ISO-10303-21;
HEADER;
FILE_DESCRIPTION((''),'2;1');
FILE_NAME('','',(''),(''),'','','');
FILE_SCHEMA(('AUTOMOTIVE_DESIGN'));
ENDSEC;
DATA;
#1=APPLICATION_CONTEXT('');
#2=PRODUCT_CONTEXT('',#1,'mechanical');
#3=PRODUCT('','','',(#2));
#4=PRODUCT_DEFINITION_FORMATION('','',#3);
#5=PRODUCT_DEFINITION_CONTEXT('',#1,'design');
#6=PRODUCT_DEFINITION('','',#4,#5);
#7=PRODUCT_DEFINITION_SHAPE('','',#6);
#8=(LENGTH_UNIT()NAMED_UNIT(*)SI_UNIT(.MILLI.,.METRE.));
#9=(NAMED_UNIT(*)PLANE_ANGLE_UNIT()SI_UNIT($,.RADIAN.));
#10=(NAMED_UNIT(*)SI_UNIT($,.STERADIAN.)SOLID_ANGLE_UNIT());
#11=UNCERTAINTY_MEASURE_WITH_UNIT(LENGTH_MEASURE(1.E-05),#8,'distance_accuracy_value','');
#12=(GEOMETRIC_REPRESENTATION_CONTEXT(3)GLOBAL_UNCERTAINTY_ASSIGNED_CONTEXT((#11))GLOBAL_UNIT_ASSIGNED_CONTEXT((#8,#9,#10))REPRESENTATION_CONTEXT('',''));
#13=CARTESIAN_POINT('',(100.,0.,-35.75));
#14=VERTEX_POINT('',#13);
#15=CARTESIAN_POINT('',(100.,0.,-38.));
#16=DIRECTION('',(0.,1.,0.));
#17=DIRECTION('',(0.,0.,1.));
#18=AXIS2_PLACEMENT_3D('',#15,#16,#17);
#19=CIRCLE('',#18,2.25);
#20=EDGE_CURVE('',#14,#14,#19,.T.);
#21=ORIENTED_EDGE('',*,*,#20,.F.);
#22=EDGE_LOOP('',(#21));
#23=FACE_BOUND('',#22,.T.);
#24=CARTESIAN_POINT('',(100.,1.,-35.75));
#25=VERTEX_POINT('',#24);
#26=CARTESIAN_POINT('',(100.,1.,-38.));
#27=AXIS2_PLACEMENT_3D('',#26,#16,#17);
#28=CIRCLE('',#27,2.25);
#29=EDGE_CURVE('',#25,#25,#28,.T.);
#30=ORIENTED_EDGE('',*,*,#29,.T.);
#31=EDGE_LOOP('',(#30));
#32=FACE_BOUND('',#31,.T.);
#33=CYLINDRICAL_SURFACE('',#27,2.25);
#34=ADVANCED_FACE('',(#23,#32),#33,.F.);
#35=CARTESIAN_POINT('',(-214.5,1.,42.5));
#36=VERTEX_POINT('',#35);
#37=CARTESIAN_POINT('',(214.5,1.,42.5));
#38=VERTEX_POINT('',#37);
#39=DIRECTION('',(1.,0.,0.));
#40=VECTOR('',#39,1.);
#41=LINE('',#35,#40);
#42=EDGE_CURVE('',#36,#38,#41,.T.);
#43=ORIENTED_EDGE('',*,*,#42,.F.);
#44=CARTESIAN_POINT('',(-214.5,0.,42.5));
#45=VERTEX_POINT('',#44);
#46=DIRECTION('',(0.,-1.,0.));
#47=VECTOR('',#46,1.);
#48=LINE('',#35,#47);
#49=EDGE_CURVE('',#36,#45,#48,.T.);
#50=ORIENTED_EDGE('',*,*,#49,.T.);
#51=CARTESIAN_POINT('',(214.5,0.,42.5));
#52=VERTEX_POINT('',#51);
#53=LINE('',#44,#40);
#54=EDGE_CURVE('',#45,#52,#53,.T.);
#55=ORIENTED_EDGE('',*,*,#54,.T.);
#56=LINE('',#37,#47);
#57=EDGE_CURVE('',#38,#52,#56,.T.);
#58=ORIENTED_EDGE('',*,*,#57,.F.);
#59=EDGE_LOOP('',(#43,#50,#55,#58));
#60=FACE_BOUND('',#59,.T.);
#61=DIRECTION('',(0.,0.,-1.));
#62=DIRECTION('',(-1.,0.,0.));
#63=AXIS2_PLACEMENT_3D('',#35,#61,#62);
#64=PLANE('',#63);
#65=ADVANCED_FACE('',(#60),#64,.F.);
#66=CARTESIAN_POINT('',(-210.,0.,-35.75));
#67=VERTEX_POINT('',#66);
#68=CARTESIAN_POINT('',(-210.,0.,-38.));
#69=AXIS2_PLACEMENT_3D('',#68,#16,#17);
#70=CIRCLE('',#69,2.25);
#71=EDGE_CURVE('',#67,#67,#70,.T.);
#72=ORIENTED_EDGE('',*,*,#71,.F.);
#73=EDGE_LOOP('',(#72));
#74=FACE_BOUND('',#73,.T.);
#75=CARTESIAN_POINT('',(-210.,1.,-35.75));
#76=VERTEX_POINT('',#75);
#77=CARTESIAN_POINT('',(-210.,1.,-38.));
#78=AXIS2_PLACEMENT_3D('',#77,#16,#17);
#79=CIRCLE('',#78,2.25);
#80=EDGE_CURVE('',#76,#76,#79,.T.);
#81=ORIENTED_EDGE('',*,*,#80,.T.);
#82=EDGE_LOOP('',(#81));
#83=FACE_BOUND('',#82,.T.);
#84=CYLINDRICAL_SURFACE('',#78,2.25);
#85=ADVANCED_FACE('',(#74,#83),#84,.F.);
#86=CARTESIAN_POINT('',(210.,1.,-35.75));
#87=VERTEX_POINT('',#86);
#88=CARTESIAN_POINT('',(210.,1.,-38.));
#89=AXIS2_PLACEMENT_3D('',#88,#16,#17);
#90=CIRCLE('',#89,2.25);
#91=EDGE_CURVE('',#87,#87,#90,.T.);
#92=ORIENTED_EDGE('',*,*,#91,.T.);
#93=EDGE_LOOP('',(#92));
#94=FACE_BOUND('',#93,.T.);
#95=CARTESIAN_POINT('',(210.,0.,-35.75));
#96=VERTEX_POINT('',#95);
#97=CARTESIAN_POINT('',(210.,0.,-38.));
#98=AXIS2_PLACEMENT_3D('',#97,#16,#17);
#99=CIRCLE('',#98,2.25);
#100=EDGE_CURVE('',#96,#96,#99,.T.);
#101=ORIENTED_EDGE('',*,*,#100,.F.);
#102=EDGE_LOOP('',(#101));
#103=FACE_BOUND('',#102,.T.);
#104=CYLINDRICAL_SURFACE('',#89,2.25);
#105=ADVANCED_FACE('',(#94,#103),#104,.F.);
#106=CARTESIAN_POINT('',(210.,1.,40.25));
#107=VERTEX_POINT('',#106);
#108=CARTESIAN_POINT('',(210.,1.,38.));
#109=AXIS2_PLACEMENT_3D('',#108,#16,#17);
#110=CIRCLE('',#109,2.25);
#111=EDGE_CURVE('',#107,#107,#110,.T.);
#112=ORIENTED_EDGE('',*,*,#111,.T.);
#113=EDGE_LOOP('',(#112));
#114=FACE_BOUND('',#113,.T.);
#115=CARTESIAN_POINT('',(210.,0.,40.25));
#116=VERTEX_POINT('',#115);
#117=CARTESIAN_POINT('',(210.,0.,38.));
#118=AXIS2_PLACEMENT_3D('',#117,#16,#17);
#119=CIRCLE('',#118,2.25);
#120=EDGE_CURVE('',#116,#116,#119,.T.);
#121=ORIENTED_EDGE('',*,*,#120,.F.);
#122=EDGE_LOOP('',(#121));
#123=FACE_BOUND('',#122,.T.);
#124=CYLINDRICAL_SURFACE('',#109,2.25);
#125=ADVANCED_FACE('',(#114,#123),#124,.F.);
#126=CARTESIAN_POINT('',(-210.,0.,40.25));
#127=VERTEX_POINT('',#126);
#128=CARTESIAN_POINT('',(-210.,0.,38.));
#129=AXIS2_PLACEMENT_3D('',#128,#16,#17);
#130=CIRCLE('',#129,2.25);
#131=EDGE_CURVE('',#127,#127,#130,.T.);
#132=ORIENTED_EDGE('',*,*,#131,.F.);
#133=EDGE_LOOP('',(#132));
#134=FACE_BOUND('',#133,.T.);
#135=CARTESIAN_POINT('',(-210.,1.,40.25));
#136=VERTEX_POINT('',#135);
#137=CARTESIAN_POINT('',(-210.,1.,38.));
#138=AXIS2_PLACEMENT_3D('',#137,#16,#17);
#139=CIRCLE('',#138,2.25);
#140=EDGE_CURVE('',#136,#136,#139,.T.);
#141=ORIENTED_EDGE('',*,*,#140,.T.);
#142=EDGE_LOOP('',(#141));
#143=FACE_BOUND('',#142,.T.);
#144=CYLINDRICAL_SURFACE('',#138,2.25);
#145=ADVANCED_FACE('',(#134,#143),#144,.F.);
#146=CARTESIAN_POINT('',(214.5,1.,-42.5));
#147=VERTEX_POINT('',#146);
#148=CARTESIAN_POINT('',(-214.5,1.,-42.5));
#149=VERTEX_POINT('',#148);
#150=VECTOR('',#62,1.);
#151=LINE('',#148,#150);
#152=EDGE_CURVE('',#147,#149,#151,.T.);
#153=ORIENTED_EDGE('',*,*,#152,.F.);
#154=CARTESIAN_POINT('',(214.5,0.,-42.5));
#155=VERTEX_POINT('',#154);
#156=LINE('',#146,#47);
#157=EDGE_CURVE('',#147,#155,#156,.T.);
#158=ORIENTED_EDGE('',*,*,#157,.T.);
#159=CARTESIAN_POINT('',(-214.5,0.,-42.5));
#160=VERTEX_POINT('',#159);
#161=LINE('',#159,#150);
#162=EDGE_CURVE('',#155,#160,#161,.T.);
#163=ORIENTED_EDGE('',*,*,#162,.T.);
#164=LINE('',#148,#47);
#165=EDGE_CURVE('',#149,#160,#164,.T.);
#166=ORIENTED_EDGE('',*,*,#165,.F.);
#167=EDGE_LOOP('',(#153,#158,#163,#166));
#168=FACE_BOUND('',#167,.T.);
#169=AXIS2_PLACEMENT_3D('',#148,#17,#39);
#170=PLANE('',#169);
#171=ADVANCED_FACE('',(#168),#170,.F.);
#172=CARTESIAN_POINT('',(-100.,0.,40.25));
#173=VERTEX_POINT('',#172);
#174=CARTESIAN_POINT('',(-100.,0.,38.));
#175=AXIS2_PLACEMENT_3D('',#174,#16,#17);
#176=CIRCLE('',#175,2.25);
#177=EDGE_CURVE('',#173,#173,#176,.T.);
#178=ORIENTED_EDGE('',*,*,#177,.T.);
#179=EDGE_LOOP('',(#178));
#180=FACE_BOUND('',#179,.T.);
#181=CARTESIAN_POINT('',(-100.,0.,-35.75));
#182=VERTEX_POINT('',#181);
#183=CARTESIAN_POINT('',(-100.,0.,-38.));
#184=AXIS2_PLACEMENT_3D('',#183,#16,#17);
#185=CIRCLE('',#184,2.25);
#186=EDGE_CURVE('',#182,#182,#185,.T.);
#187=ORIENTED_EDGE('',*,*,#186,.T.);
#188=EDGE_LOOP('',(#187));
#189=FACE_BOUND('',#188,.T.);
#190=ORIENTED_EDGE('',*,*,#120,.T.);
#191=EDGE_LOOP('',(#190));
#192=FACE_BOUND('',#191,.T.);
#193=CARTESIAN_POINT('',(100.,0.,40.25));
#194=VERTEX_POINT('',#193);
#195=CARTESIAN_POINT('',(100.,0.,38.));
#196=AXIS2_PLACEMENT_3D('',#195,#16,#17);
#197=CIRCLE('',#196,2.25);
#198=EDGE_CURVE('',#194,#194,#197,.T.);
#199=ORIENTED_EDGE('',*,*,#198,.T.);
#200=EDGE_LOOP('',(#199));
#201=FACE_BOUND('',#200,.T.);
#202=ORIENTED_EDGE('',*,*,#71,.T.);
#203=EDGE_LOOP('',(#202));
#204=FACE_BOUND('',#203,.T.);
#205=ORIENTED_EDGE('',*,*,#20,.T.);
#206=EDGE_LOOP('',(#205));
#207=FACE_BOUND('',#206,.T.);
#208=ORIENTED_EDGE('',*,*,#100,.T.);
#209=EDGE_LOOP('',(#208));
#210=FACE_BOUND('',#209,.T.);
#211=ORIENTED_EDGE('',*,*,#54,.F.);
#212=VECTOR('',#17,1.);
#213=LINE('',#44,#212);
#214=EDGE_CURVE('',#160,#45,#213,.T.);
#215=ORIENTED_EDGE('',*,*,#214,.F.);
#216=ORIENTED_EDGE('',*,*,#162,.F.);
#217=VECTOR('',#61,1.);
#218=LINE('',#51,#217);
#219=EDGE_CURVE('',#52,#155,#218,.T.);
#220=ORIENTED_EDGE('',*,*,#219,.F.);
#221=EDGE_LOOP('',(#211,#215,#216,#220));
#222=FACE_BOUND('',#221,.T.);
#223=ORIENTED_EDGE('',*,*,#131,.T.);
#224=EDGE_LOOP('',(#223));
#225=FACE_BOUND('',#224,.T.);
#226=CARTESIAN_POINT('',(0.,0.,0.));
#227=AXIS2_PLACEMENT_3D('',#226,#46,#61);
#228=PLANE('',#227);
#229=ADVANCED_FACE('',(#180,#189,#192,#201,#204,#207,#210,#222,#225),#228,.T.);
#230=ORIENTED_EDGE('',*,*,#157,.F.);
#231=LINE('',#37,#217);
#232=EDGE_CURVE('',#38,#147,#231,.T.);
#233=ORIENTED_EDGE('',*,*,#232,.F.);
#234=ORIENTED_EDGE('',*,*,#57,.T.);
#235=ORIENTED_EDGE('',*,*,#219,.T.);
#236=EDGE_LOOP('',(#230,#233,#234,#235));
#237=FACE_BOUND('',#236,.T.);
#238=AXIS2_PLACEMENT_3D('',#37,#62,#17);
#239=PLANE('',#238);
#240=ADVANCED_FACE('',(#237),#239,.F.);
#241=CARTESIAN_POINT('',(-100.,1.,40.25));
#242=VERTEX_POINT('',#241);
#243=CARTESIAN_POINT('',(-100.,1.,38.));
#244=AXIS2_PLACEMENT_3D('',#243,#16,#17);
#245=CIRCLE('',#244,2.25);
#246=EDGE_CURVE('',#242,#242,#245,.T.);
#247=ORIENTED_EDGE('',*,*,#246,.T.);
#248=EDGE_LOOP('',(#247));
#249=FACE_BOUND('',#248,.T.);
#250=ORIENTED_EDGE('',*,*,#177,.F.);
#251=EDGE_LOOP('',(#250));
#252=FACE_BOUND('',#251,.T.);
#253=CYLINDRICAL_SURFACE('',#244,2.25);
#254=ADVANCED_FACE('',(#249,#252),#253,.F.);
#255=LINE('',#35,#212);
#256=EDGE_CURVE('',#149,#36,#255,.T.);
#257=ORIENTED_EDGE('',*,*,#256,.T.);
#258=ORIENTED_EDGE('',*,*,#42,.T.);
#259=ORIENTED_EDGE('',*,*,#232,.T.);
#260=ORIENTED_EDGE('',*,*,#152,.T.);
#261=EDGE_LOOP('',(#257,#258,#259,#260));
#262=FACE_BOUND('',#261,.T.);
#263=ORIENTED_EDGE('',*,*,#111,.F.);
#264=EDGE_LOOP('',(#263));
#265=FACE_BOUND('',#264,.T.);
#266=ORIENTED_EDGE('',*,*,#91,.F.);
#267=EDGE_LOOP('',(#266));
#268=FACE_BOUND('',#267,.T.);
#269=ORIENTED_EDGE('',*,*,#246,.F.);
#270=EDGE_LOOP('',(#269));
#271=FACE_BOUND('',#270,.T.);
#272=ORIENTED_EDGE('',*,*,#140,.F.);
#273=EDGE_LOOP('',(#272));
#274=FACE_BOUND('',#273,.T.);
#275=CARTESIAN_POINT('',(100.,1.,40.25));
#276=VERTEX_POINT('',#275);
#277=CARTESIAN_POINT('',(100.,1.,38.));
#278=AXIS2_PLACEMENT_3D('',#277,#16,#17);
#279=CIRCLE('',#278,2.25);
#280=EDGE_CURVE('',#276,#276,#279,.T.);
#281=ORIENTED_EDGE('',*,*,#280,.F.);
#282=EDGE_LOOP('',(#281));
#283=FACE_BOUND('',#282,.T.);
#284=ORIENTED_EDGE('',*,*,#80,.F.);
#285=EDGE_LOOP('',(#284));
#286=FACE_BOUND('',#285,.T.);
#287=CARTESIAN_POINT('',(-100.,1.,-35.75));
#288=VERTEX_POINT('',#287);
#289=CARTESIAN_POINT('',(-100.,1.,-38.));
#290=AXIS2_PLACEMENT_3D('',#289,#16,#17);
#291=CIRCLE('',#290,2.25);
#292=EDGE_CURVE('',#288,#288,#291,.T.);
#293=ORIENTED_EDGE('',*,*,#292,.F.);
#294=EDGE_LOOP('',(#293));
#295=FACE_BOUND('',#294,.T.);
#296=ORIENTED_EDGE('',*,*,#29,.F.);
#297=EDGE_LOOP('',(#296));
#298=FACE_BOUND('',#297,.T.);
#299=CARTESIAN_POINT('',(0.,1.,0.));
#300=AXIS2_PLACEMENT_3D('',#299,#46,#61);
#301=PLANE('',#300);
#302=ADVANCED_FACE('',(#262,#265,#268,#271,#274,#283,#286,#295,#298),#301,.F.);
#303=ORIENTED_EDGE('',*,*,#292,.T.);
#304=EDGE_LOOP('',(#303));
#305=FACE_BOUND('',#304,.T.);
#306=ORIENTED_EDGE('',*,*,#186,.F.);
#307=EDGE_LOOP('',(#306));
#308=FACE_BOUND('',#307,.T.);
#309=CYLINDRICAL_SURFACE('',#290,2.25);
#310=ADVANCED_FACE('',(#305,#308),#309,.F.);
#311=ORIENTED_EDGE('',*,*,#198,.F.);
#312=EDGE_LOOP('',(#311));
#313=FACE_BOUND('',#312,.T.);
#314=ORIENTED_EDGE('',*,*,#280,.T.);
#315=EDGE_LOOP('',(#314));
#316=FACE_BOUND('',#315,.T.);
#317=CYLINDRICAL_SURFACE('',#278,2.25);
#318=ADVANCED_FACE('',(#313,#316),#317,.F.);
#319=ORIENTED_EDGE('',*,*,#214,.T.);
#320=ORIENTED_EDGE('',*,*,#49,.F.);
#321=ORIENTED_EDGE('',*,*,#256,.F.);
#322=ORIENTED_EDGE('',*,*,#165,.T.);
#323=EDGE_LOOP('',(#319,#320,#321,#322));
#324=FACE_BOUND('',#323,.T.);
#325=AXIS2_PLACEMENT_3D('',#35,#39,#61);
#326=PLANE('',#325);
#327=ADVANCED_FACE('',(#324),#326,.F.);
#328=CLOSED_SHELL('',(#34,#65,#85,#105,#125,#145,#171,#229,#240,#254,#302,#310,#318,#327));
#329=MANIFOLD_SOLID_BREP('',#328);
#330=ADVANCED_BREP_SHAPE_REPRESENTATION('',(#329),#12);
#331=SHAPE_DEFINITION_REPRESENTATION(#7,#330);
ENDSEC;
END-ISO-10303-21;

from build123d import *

# Parameters (mm, degrees)
SKETCH1_W            = 429
SKETCH1_H            = 85
BOSS_EXTRUDE1_DEPTH  = 1
M4_CLEARANCE_HOLE1_D = 4.5


with BuildPart() as part:
    # Sketch1 → Boss-Extrude1 (new body)
    with BuildSketch(Plane(origin=(0, 0, 0), x_dir=(1, 0, 0), z_dir=(0, 1, 0))):
        Rectangle(SKETCH1_W, SKETCH1_H)
    extrude(amount=BOSS_EXTRUDE1_DEPTH)

    # M4 Clearance Hole1 (through all)
    with Locations(Plane(origin=(0, 1, 0), x_dir=(1, 0, 0), z_dir=(0, 1, 0))):
        with Locations((-210, 38), (210, 38), (-100, 38), (100, 38), (100, -38), (-100, -38), (210, -38), (-210, -38)):
            Hole(M4_CLEARANCE_HOLE1_D / 2)


solid = part.part
